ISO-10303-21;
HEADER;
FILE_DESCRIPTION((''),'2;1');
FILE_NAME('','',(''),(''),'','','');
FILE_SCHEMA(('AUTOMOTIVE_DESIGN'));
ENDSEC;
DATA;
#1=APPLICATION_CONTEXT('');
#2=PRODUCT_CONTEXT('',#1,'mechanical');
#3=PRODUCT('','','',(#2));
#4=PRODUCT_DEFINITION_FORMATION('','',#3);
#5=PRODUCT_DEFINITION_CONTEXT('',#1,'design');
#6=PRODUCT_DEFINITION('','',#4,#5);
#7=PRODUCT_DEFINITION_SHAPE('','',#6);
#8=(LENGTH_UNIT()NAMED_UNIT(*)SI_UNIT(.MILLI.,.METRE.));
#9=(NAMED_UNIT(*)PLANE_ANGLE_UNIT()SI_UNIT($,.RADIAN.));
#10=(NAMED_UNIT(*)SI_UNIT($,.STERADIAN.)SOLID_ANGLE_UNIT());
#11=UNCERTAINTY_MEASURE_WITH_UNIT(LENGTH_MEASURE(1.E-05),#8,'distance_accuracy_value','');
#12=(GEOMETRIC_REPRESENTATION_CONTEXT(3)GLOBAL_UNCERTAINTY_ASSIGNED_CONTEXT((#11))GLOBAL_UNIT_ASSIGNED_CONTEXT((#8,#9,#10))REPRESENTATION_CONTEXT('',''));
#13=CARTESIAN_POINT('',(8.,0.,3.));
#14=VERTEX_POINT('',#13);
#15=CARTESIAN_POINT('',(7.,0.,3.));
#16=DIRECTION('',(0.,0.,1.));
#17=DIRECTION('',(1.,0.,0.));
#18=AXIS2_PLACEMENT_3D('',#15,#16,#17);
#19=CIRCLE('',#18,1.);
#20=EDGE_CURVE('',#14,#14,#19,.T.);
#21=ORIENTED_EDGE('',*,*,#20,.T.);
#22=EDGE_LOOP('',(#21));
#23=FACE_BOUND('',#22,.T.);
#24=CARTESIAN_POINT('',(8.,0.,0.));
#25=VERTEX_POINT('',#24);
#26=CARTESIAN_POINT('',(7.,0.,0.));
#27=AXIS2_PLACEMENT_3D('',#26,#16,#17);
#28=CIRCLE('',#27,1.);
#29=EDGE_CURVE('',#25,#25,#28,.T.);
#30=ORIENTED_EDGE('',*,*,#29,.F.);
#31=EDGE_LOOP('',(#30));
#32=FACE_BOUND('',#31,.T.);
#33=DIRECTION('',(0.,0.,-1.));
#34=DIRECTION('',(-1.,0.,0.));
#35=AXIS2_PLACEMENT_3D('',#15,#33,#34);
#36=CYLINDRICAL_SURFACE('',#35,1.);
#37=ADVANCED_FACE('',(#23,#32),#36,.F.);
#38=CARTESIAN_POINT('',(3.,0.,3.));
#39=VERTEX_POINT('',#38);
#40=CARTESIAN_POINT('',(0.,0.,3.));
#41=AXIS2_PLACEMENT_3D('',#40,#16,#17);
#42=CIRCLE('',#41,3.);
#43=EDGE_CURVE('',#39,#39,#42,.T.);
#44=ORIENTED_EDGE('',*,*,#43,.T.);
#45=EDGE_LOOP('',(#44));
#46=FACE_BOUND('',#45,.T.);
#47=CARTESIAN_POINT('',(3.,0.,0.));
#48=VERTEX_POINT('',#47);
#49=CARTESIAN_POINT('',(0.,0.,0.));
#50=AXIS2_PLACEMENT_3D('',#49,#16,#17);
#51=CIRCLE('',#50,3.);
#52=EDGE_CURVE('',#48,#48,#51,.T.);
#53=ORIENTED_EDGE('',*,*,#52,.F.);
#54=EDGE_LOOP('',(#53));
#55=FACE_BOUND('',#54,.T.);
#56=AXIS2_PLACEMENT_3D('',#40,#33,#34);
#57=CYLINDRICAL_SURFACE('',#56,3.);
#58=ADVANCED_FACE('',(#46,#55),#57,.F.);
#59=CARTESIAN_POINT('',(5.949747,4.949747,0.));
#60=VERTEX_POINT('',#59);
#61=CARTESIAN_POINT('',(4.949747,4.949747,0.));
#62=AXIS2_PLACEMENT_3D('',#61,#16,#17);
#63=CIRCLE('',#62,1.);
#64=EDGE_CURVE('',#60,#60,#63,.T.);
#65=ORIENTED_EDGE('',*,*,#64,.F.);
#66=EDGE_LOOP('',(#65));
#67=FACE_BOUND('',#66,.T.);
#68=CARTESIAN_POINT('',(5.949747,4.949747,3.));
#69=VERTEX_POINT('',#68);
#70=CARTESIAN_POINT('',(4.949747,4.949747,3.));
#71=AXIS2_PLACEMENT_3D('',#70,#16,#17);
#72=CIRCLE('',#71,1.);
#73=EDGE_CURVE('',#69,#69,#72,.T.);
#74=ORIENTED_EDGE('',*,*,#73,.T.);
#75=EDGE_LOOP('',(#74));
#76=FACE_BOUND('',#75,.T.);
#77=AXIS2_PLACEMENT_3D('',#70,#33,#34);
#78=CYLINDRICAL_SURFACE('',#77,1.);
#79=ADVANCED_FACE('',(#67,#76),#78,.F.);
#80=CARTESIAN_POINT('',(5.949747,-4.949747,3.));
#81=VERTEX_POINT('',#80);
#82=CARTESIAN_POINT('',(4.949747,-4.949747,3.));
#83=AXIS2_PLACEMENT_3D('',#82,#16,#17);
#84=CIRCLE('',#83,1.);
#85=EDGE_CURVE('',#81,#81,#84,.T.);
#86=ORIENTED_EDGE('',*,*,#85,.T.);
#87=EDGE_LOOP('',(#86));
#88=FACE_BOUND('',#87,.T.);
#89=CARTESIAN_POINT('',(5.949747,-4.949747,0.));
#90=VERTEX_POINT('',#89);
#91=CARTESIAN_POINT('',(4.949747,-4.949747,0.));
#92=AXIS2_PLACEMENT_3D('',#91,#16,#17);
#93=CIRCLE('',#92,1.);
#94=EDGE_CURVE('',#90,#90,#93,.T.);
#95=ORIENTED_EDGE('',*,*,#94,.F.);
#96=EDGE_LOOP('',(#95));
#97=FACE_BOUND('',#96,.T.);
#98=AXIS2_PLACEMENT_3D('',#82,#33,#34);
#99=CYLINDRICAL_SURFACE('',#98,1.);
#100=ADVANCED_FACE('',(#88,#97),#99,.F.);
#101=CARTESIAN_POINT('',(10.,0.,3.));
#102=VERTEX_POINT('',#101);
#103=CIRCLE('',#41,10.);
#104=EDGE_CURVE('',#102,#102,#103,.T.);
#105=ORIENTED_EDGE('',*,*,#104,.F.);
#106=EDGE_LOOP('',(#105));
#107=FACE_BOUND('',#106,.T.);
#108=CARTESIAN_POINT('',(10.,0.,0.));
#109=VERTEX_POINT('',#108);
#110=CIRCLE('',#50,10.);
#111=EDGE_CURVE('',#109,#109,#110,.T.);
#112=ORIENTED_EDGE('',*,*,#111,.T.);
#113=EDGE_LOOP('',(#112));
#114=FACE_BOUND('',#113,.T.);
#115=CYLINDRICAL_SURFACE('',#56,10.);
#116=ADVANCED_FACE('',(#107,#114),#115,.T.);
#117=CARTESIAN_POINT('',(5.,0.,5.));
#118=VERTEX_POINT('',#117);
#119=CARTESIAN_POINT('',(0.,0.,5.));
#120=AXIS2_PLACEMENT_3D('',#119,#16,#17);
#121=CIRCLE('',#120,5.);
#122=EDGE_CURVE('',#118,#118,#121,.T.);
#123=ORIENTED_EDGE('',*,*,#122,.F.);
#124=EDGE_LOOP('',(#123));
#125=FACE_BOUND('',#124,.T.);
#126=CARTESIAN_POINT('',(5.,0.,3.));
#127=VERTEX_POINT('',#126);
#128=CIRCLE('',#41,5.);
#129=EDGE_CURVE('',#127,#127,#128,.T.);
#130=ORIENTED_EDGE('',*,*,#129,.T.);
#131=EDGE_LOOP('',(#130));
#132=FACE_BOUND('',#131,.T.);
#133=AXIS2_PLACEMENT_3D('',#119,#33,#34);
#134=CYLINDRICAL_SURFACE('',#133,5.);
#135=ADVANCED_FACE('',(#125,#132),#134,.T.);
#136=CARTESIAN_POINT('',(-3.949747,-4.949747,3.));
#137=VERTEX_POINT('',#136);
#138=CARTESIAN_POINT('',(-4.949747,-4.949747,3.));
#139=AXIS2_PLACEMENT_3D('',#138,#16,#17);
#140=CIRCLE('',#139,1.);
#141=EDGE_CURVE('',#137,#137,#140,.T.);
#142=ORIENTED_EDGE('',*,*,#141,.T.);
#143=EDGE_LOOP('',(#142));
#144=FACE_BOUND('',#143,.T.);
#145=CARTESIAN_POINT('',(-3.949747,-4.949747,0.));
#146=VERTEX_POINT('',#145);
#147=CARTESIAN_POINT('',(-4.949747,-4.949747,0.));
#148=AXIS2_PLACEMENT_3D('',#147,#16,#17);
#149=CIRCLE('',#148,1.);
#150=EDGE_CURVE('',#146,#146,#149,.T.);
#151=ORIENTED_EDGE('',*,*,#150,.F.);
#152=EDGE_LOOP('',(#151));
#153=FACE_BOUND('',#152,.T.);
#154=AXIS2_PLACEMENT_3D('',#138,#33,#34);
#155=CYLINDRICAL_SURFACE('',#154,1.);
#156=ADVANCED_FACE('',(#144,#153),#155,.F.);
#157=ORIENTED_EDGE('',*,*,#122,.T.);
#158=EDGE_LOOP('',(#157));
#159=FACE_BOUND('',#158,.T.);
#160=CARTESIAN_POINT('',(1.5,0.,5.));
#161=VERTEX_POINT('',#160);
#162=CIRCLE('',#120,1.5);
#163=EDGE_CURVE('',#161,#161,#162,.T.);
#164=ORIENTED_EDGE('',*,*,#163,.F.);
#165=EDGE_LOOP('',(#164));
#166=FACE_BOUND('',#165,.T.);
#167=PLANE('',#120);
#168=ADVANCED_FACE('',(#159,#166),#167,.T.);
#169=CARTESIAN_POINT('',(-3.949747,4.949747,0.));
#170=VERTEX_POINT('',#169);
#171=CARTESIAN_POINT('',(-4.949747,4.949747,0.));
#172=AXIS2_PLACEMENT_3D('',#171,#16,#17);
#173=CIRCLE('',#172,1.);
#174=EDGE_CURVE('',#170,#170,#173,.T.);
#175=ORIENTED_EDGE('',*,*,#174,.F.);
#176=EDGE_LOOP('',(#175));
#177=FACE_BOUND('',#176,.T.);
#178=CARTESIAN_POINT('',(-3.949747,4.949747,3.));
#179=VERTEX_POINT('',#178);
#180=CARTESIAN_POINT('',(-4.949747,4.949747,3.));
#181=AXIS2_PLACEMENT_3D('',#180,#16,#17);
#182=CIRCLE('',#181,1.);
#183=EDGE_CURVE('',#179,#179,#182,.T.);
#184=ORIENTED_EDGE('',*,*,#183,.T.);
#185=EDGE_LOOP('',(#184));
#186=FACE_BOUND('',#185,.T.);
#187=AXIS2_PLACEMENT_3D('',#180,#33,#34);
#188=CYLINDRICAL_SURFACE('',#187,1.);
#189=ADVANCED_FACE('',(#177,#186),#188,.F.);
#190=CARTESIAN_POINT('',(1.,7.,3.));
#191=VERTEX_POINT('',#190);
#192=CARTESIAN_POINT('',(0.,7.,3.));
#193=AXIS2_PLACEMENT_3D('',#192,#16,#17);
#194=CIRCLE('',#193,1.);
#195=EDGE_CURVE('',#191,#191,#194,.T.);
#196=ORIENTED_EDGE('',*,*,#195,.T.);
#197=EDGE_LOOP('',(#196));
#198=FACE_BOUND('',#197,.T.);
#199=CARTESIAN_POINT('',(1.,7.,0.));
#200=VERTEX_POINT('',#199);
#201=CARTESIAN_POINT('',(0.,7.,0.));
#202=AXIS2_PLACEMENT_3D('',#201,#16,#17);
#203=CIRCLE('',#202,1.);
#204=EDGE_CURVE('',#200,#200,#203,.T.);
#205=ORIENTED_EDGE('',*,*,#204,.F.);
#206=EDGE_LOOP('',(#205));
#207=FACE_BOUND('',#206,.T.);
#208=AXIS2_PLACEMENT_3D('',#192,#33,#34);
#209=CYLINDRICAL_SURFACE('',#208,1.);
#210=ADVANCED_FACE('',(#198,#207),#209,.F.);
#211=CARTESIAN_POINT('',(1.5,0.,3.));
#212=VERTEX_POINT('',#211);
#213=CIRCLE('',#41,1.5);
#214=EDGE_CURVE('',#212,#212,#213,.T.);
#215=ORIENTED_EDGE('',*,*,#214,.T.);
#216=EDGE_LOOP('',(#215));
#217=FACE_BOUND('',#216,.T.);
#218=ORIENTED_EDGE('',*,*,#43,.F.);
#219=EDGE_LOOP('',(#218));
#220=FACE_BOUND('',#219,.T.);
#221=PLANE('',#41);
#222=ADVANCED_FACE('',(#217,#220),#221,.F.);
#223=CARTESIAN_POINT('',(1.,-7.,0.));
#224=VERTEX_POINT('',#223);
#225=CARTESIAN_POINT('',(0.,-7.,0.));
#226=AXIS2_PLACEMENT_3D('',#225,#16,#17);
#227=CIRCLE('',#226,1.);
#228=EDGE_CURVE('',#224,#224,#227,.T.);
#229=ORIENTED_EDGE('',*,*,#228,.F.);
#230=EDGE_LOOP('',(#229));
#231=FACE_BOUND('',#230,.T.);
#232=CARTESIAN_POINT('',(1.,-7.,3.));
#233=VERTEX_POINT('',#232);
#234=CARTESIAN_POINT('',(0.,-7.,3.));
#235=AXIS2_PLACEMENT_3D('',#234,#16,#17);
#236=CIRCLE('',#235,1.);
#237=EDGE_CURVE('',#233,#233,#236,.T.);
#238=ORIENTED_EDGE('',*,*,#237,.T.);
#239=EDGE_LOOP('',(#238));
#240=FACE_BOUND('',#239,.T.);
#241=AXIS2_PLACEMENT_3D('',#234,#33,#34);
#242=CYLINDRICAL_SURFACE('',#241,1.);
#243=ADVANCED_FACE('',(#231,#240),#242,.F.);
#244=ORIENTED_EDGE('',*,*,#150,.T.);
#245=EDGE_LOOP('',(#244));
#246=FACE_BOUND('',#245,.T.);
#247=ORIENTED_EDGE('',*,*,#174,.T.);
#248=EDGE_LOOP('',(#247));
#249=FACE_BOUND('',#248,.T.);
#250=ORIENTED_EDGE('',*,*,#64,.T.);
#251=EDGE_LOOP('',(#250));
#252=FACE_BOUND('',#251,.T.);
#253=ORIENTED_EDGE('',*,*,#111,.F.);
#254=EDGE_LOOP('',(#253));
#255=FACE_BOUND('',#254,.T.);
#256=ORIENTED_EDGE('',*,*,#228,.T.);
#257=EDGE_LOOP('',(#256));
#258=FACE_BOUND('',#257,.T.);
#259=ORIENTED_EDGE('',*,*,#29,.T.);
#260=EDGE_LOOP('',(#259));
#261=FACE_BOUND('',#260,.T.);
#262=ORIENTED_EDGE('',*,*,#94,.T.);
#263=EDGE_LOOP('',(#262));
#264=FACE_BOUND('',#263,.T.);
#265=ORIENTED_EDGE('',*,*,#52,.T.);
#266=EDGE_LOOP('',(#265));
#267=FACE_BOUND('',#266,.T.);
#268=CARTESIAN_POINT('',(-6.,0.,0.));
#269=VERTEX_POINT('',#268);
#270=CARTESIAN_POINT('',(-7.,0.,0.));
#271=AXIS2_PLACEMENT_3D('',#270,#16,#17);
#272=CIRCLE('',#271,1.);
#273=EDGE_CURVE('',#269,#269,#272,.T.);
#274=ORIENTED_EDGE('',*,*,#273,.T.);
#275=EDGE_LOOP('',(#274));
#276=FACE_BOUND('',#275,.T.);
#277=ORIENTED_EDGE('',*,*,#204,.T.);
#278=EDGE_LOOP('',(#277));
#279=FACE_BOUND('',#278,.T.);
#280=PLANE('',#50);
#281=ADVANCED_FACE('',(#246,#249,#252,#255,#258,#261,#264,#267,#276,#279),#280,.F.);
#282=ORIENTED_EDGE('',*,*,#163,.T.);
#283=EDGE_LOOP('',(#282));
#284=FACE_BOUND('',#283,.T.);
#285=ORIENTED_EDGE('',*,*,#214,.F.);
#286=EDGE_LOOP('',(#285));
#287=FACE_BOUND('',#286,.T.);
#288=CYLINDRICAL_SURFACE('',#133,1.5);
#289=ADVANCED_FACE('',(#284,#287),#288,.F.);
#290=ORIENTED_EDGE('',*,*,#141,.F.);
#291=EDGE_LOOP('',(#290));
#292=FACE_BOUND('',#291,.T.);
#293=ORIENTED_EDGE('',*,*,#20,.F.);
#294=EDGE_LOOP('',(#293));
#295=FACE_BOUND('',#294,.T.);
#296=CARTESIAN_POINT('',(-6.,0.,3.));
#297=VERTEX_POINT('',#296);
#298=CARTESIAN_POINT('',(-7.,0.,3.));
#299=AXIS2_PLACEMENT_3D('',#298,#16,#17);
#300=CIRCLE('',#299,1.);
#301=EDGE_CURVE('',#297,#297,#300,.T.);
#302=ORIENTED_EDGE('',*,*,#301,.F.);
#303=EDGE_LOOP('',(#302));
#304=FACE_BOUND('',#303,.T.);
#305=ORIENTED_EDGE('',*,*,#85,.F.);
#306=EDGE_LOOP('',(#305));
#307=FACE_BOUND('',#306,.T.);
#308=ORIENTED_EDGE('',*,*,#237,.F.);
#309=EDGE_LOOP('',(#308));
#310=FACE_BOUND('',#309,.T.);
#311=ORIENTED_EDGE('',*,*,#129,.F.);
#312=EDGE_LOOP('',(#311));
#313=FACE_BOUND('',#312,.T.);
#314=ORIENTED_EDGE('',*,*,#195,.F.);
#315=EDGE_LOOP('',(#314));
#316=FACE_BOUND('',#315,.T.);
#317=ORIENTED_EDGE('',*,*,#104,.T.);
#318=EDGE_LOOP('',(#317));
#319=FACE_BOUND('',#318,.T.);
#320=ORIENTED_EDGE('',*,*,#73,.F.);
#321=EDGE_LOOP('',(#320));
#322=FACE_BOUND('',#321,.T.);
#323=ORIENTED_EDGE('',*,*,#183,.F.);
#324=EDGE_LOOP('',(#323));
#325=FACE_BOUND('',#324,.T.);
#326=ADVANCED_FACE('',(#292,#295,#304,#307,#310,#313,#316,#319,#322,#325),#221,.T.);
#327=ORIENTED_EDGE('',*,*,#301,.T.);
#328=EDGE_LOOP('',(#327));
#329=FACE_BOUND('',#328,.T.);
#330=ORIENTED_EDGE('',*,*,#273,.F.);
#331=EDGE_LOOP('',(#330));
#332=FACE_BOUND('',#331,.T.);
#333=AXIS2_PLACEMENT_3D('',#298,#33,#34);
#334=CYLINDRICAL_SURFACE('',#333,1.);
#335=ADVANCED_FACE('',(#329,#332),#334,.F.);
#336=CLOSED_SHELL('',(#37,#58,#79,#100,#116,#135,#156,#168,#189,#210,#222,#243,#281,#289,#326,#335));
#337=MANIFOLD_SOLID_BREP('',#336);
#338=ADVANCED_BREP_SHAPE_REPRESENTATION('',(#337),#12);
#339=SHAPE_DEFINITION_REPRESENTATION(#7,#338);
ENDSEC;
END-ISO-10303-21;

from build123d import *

# Parameters (mm, degrees)
SKETCH_1_R      = 10
SKETCH_1_R_2    = 3
SKETCH_1_R_3    = 1
EXTRUDE_1_DEPTH = 3
SKETCH_2_R      = 5
SKETCH_2_R_2    = 1.5
EXTRUDE_2_DEPTH = 2


with BuildPart() as part:
    # 草图1 → 凸台-拉伸1 (new body)
    with BuildSketch(Plane.XY):
        Circle(SKETCH_1_R)
        Circle(SKETCH_1_R_2, mode=Mode.SUBTRACT)
        with Locations((7, 0)):
            Circle(SKETCH_1_R_3, mode=Mode.SUBTRACT)
        with Locations((4.949747468, -4.949747468)):
            Circle(SKETCH_1_R_3, mode=Mode.SUBTRACT)
        with Locations((0, -7)):
            Circle(SKETCH_1_R_3, mode=Mode.SUBTRACT)
        with Locations((-4.949747468, -4.949747468)):
            Circle(SKETCH_1_R_3, mode=Mode.SUBTRACT)
        with Locations((-7, 0)):
            Circle(SKETCH_1_R_3, mode=Mode.SUBTRACT)
        with Locations((-4.949747468, 4.949747468)):
            Circle(SKETCH_1_R_3, mode=Mode.SUBTRACT)
        with Locations((0, 7)):
            Circle(SKETCH_1_R_3, mode=Mode.SUBTRACT)
        with Locations((4.949747468, 4.949747468)):
            Circle(SKETCH_1_R_3, mode=Mode.SUBTRACT)
    extrude(amount=EXTRUDE_1_DEPTH)

    # 草图2 → 凸台-拉伸2 (add)
    with BuildSketch(Plane.XY.offset(3)):
        Circle(SKETCH_2_R)
        Circle(SKETCH_2_R_2, mode=Mode.SUBTRACT)
    extrude(amount=EXTRUDE_2_DEPTH)


solid = part.part
